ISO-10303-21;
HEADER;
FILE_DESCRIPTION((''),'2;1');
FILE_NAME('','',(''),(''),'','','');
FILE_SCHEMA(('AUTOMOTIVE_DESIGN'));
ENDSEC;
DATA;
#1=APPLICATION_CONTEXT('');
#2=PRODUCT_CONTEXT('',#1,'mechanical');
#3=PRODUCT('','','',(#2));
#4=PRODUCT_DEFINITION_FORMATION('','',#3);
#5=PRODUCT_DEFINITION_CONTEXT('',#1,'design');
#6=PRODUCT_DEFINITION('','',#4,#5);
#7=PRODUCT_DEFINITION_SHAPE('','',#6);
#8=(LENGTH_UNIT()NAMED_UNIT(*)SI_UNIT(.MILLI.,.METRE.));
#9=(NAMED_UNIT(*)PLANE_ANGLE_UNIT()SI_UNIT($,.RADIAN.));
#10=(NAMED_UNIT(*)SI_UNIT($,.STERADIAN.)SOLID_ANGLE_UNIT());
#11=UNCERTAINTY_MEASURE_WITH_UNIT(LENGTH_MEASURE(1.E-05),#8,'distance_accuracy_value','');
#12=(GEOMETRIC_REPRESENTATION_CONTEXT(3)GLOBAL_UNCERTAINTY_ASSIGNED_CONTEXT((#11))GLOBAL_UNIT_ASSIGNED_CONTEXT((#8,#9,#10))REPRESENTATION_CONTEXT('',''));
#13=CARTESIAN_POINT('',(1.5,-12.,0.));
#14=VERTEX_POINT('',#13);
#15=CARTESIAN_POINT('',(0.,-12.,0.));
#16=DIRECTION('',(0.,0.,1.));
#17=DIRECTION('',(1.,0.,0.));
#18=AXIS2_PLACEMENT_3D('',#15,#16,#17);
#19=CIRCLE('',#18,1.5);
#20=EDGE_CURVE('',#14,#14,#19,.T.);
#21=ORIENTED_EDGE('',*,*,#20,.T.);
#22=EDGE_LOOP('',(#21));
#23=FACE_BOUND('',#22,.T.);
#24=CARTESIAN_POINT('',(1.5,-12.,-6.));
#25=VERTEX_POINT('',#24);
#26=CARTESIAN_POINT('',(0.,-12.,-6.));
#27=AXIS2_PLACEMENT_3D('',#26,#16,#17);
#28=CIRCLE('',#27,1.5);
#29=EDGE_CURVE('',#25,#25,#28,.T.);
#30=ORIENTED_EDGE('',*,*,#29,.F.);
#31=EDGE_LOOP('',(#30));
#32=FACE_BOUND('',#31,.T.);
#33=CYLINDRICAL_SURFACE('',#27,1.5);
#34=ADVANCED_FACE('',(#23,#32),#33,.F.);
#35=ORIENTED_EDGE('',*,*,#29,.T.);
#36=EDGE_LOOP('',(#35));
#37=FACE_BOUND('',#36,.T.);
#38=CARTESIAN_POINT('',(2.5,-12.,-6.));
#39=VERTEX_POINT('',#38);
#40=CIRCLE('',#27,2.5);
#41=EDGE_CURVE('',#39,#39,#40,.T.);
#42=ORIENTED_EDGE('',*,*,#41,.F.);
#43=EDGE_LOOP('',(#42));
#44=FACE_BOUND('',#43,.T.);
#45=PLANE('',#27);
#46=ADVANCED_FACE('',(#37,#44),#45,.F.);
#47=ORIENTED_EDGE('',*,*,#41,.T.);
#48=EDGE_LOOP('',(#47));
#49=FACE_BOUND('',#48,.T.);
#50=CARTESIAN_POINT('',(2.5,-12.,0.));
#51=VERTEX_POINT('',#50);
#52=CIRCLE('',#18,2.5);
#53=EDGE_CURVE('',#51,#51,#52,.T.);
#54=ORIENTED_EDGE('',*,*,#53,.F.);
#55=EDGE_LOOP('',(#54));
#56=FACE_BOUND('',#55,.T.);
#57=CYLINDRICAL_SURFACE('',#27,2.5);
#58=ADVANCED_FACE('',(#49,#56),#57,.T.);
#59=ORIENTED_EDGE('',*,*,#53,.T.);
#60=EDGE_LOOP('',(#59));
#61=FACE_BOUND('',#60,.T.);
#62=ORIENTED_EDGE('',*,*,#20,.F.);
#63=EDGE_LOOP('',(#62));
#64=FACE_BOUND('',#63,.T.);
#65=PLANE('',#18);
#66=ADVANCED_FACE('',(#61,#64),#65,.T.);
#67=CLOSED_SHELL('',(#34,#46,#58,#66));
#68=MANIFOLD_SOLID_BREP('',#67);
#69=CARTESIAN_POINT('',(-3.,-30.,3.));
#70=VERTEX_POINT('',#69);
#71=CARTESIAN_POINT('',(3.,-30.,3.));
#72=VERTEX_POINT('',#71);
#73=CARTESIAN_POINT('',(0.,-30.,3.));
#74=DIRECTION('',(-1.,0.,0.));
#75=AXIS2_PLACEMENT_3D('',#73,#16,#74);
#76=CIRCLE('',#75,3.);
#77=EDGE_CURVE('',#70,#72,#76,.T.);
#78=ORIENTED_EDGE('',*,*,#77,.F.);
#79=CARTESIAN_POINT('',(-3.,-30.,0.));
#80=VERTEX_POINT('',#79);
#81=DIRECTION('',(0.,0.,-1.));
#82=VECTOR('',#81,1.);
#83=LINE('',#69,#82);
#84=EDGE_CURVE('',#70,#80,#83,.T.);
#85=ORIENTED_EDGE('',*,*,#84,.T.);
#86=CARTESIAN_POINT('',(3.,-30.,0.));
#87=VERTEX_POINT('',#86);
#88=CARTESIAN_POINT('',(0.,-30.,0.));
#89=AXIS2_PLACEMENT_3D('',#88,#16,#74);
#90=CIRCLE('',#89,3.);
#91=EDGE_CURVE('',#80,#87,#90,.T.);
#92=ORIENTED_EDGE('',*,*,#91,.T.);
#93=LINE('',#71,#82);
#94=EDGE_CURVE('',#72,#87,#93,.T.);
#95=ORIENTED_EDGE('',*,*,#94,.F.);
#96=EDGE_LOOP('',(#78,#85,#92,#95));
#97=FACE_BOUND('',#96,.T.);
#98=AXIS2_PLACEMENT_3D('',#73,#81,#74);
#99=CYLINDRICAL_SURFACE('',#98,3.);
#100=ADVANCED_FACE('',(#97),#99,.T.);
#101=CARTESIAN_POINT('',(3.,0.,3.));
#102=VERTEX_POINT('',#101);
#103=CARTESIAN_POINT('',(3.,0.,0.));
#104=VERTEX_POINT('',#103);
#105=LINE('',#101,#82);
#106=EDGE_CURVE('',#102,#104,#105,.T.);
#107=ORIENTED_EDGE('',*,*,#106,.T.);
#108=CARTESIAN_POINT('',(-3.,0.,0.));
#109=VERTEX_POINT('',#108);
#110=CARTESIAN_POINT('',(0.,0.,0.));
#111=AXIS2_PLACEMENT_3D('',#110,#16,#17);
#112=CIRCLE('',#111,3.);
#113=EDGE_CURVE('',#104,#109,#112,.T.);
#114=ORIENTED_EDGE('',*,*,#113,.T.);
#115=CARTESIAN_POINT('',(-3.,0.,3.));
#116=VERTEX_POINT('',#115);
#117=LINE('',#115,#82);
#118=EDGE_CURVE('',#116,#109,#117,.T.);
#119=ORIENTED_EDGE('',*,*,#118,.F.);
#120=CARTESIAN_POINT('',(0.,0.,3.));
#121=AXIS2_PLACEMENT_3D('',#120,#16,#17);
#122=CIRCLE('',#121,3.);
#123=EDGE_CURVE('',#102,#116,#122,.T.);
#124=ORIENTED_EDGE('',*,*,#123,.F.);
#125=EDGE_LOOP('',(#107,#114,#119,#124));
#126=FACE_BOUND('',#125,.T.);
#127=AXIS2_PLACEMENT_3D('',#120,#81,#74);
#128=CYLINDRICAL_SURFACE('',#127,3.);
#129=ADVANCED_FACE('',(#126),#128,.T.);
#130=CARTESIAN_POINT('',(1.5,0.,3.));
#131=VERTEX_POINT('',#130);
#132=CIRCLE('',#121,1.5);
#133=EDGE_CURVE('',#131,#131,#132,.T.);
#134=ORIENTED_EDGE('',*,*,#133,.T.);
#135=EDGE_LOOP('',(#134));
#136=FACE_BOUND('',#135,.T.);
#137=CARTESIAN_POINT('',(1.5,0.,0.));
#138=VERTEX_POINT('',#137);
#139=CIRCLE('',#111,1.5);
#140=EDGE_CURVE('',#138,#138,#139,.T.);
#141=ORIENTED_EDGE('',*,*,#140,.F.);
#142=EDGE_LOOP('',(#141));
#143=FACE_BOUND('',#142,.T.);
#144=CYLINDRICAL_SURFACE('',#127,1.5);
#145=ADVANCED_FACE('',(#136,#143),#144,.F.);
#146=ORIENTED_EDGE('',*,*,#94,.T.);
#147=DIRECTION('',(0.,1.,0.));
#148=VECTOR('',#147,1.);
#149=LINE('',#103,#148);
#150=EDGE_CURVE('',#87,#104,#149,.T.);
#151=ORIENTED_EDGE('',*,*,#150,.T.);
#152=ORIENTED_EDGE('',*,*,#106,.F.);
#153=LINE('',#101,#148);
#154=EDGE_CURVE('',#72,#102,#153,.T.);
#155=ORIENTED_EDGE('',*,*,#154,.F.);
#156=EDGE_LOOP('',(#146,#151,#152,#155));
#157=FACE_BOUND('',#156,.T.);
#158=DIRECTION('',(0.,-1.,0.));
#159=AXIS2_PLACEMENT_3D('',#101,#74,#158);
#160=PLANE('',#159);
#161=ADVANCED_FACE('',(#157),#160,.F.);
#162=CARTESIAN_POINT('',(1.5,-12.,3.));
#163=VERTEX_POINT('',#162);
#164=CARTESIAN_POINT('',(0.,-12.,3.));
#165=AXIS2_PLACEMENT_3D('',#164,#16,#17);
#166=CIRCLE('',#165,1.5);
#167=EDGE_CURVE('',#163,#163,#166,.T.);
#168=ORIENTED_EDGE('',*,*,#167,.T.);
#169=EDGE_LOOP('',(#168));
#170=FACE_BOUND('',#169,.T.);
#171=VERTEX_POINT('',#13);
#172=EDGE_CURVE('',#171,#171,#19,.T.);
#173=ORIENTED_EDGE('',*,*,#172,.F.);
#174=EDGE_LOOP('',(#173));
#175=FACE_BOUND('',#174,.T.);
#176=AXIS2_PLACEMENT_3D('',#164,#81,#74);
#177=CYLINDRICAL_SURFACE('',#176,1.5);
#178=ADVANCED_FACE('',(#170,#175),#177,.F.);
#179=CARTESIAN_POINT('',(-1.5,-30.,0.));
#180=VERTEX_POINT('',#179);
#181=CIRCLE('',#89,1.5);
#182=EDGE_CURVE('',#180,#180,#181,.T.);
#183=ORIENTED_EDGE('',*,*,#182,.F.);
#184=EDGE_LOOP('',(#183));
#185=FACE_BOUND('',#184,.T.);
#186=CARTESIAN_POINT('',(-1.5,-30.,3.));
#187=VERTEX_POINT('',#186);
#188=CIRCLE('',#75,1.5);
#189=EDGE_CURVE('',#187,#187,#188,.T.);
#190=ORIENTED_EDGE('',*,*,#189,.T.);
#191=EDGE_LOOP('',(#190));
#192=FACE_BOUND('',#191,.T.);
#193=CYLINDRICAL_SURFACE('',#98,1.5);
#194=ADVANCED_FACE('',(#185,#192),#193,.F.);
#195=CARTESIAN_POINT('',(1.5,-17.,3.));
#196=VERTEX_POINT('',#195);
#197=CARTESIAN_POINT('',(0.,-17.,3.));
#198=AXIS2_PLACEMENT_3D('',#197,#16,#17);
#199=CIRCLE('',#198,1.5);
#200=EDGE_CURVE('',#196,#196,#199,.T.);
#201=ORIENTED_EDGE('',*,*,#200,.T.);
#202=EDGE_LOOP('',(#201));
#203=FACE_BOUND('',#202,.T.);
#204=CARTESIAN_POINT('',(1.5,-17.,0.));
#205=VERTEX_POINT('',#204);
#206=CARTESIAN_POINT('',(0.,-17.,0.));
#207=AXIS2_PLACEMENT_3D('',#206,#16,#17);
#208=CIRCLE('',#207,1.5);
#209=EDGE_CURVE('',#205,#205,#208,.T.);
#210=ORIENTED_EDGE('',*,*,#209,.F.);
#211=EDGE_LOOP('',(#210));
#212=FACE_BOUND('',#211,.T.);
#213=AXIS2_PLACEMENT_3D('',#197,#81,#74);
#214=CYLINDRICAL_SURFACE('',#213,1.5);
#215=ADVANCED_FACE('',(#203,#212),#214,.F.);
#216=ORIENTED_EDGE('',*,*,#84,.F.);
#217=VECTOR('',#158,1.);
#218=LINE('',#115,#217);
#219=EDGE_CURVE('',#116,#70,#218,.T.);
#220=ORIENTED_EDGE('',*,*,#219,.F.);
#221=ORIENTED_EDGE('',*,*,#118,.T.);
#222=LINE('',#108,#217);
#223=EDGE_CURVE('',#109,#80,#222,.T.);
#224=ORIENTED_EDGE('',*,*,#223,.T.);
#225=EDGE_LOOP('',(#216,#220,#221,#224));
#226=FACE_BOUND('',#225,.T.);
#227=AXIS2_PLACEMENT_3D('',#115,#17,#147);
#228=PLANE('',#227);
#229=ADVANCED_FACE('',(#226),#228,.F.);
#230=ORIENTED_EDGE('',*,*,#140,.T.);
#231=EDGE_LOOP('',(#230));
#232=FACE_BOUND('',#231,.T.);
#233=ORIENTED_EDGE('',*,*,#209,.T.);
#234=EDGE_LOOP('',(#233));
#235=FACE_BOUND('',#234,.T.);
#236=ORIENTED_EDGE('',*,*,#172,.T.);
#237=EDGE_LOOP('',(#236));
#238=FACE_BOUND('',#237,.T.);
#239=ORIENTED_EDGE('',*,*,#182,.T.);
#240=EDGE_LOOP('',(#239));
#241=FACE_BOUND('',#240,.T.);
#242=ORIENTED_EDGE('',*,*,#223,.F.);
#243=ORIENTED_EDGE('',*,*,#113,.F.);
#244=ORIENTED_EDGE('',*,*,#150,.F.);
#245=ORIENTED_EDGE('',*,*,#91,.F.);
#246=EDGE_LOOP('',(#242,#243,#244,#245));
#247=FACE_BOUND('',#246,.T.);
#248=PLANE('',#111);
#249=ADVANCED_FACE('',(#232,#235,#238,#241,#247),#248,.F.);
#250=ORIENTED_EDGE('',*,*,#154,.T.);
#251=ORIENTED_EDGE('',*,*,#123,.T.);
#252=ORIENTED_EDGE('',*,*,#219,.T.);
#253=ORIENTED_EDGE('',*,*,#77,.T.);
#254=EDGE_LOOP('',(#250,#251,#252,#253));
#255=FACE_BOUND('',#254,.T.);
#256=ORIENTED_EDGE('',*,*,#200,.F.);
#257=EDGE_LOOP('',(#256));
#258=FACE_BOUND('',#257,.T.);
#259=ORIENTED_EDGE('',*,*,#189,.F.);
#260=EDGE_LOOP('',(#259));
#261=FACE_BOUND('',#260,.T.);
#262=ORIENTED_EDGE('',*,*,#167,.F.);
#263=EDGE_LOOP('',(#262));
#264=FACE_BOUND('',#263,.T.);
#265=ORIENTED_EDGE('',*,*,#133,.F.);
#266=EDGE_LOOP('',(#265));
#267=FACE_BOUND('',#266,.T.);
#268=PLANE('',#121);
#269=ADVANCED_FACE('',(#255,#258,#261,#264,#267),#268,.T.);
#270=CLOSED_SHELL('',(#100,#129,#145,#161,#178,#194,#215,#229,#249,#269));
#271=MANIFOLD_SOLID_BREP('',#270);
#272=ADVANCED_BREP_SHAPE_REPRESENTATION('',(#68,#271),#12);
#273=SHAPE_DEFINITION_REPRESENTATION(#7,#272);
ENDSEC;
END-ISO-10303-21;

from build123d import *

# Parameters (mm, degrees)
SKETCH_1_R      = 1.5
EXTRUDE_1_DEPTH = 3
SKETCH_3_R      = 2.5
SKETCH_3_R_2    = 1.5
EXTRUDE_2_DEPTH = 6


with BuildPart() as part:
    # ｽｹｯﾁ1 → ﾎﾞｽ - 押し出し1 (new body)
    with BuildSketch(Plane.XY):
        with BuildLine():
            Line((-3, 0), (-3, -30))
            ThreePointArc((-3, -30), (0, -33), (3, -30))
            Line((3, -30), (3, 0))
            ThreePointArc((3, 0), (0, 3), (-3, 0))
        make_face()
        Circle(SKETCH_1_R, mode=Mode.SUBTRACT)
        with Locations(Location((0, -30, 0), (0, 0, 180))):
            Circle(SKETCH_1_R, mode=Mode.SUBTRACT)
        with Locations((0, -17)):
            Circle(SKETCH_1_R, mode=Mode.SUBTRACT)
        with Locations((0, -12)):
            Circle(SKETCH_1_R, mode=Mode.SUBTRACT)
    extrude(amount=EXTRUDE_1_DEPTH)


with BuildPart() as body_2:
    # ｽｹｯﾁ3 → ﾎﾞｽ - 押し出し2 (new body)
    with BuildSketch(Plane.XY):
        with Locations((0, -12)):
            Circle(SKETCH_3_R)
        with Locations((0, -12)):
            Circle(SKETCH_3_R_2, mode=Mode.SUBTRACT)
    extrude(amount=-EXTRUDE_2_DEPTH)


solid = Compound([part.part, body_2.part])
